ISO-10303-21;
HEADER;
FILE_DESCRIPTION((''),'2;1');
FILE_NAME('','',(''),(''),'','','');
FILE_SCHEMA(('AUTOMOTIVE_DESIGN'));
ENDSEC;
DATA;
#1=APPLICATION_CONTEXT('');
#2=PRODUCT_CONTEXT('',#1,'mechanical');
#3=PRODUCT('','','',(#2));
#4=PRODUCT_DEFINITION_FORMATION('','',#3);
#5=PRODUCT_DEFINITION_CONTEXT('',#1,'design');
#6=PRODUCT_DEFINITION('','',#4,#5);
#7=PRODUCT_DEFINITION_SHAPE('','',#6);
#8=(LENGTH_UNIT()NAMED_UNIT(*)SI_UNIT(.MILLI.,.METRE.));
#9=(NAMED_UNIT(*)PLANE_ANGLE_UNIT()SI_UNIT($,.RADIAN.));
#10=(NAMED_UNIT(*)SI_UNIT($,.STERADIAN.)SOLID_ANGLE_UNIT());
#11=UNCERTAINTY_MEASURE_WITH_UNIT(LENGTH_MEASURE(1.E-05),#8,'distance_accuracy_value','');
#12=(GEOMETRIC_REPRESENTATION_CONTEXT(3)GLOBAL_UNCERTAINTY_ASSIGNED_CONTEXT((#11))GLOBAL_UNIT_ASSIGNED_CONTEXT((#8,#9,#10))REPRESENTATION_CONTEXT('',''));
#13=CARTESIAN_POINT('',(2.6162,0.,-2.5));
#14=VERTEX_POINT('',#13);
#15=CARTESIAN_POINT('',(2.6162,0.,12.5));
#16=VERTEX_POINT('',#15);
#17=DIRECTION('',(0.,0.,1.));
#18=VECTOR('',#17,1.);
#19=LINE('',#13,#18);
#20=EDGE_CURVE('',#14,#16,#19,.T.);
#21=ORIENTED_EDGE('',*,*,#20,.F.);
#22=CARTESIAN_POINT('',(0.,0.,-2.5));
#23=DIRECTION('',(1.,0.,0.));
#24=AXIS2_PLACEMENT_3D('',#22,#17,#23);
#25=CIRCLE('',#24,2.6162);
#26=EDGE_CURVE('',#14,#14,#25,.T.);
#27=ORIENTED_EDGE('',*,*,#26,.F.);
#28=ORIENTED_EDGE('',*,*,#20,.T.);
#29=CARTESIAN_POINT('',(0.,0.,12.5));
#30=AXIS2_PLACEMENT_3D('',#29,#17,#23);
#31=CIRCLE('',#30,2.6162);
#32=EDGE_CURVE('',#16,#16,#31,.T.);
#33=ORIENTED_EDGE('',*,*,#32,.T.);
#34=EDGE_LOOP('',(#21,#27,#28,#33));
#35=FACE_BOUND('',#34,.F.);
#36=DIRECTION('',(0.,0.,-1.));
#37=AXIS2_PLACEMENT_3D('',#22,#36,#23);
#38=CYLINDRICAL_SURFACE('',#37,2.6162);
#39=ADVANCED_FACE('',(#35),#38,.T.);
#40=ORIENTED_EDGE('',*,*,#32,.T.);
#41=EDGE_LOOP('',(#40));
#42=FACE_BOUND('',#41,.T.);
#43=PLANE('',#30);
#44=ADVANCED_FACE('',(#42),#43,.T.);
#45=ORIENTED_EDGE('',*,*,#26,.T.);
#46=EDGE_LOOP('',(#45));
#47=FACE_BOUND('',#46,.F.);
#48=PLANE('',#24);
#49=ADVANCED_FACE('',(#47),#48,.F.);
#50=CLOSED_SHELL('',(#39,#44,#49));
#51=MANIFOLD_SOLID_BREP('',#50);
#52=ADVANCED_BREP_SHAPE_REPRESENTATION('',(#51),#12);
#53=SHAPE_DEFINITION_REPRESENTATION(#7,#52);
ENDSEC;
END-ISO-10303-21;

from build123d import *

# Parameters (mm, degrees)
CYLINDER_R     = 2.6162
CYLINDER_DEPTH = 15


with BuildPart() as part:
    # Cylinder → Cylinder (new body)
    with BuildSketch(Plane.XY.offset(-2.5)):
        Circle(CYLINDER_R)
    extrude(amount=CYLINDER_DEPTH)


solid = part.part
